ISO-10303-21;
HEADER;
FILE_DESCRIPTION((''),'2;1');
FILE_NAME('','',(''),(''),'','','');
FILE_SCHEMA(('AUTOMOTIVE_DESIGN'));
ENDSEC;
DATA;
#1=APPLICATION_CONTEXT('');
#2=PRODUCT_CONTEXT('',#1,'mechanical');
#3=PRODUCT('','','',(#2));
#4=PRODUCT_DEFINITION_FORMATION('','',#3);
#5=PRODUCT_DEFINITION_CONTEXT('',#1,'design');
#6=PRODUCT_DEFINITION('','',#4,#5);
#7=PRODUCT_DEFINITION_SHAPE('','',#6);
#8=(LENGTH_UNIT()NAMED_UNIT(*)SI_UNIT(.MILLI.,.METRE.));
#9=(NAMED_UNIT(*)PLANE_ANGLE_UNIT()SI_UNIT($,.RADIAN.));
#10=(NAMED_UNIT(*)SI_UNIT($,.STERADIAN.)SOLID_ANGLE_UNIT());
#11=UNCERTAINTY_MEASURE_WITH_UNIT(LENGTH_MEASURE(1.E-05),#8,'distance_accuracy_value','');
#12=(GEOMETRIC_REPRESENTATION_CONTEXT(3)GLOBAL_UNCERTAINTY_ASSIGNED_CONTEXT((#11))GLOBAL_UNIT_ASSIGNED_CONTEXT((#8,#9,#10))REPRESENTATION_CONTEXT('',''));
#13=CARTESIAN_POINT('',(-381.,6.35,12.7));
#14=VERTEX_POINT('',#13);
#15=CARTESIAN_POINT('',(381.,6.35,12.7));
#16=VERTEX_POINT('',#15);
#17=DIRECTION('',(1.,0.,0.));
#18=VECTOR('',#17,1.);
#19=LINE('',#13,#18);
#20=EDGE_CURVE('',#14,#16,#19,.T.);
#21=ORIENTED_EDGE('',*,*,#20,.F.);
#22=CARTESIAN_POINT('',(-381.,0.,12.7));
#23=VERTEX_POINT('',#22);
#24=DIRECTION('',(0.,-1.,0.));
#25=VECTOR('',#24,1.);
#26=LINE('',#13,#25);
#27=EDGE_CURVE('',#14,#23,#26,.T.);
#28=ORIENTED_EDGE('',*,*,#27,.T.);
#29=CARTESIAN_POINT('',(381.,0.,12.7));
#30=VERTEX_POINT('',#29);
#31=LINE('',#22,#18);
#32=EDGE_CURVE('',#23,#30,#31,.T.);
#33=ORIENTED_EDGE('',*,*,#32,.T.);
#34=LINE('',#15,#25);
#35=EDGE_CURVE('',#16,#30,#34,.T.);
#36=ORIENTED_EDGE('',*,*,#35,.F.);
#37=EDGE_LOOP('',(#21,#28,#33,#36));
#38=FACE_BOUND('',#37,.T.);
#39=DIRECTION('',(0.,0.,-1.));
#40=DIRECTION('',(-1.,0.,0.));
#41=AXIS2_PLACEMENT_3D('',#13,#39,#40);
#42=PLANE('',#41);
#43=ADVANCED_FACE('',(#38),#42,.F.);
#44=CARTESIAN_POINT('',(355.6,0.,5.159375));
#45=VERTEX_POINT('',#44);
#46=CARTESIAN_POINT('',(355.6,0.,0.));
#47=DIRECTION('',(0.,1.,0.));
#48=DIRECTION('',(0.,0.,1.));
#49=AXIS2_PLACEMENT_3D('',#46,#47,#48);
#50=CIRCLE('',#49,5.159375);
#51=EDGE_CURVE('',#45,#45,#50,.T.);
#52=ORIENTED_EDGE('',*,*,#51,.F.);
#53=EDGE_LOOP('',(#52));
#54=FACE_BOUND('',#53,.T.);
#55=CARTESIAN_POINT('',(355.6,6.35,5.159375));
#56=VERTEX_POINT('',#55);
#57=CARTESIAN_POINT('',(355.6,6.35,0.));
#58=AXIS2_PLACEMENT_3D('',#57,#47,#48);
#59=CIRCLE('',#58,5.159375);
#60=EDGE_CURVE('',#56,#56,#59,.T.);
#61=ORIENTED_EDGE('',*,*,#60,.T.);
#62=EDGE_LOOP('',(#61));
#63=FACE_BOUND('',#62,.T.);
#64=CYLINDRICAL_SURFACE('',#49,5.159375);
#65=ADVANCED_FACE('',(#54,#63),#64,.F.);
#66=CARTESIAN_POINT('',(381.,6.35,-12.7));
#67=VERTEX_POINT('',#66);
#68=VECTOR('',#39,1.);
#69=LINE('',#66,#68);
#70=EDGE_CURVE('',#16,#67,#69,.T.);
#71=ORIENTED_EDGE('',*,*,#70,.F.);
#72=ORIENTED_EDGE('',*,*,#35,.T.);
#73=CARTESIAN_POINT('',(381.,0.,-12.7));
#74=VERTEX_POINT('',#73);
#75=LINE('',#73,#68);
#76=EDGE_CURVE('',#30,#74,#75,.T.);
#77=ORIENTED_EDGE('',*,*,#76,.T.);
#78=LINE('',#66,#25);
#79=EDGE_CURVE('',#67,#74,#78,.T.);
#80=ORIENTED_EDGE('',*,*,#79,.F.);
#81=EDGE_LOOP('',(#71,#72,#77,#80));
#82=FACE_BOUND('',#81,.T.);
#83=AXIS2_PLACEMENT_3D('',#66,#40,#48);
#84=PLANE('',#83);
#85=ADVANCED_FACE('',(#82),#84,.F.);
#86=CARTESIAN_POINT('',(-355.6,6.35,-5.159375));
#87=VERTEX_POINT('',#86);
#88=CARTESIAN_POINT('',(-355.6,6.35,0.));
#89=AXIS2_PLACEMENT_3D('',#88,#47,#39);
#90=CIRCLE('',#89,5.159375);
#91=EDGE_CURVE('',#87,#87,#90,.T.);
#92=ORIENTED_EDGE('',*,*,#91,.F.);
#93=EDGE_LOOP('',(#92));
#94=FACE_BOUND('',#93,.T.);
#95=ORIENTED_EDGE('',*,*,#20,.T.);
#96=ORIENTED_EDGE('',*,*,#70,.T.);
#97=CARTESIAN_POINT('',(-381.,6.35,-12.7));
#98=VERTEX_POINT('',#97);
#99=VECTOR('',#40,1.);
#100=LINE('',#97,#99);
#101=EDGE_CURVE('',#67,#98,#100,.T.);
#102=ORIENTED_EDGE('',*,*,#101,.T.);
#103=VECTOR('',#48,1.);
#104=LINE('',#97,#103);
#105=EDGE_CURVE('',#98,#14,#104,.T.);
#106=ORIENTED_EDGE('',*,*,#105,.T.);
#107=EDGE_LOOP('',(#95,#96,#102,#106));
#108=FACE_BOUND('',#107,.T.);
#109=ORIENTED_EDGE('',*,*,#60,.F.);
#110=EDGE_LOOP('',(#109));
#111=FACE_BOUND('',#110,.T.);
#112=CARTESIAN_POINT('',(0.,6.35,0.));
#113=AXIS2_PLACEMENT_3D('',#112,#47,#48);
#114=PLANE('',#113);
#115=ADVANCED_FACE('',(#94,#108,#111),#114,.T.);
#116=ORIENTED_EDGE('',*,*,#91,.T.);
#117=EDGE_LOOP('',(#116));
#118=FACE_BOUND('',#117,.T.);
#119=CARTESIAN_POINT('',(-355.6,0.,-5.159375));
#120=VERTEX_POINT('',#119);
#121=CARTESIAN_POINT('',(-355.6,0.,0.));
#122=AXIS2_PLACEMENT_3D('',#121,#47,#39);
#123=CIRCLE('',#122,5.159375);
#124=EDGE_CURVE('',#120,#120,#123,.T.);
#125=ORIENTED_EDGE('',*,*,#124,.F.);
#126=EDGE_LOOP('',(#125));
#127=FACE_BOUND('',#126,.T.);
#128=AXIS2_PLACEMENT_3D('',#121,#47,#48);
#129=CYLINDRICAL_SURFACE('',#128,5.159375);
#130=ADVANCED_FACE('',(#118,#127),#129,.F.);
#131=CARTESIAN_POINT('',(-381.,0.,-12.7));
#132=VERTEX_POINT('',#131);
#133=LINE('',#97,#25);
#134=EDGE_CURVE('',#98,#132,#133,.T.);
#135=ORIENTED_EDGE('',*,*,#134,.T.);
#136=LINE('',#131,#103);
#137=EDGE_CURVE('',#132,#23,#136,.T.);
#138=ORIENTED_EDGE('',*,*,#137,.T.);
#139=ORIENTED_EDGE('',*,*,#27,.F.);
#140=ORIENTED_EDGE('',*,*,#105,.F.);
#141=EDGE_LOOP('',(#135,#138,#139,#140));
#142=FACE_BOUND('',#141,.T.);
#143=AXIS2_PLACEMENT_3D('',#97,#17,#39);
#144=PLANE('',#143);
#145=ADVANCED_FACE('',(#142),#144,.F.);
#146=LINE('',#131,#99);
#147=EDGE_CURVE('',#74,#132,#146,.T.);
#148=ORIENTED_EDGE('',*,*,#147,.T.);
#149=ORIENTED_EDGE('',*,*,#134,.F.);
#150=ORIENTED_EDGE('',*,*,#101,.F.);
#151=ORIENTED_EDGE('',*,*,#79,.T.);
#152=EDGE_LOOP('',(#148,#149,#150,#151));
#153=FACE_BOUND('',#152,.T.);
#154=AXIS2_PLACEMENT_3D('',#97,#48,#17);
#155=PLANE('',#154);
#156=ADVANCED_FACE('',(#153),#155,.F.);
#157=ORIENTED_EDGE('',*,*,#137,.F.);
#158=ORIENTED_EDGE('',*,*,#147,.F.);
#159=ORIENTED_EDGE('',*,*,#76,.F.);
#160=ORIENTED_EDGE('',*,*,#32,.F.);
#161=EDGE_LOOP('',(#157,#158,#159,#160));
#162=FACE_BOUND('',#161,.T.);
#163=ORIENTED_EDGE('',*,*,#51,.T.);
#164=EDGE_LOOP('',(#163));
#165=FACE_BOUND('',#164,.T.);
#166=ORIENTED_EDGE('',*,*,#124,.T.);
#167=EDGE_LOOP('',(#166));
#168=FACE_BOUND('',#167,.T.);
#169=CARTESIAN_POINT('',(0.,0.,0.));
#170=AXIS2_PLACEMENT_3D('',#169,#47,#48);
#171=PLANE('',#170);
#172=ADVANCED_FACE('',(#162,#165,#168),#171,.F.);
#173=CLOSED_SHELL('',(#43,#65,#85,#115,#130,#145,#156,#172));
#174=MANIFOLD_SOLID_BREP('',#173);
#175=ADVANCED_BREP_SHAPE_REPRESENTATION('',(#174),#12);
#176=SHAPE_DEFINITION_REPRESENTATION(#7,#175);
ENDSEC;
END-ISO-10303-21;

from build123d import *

# Parameters (mm, degrees)
SKETCH2_W           = 762
SKETCH2_H           = 25.4
BOSS_EXTRUDE3_DEPTH = 6.35
SKETCH5_R           = 5.159375
CUT_EXTRUDE1_DEPTH  = 382.264491528


with BuildPart() as part:
    # Sketch2 → Boss-Extrude3 (new body)
    with BuildSketch(Plane(origin=(0, 0, 0), x_dir=(1, 0, 0), z_dir=(0, 1, 0))):
        Rectangle(SKETCH2_W, SKETCH2_H)
    extrude(amount=BOSS_EXTRUDE3_DEPTH)

    # Sketch5 → Cut-Extrude1 (cut, through all)
    with BuildSketch(Plane(origin=(0, 6.35, 0), x_dir=(1, 0, 0), z_dir=(0, 1, 0))):
        with Locations(Location((355.6, 0, 0), (0, 0, 270))):
            Circle(SKETCH5_R)
        with Locations(Location((-355.6, 0, 0), (0, 0, 90))):
            Circle(SKETCH5_R)
    extrude(amount=-CUT_EXTRUDE1_DEPTH, mode=Mode.SUBTRACT)


solid = part.part
